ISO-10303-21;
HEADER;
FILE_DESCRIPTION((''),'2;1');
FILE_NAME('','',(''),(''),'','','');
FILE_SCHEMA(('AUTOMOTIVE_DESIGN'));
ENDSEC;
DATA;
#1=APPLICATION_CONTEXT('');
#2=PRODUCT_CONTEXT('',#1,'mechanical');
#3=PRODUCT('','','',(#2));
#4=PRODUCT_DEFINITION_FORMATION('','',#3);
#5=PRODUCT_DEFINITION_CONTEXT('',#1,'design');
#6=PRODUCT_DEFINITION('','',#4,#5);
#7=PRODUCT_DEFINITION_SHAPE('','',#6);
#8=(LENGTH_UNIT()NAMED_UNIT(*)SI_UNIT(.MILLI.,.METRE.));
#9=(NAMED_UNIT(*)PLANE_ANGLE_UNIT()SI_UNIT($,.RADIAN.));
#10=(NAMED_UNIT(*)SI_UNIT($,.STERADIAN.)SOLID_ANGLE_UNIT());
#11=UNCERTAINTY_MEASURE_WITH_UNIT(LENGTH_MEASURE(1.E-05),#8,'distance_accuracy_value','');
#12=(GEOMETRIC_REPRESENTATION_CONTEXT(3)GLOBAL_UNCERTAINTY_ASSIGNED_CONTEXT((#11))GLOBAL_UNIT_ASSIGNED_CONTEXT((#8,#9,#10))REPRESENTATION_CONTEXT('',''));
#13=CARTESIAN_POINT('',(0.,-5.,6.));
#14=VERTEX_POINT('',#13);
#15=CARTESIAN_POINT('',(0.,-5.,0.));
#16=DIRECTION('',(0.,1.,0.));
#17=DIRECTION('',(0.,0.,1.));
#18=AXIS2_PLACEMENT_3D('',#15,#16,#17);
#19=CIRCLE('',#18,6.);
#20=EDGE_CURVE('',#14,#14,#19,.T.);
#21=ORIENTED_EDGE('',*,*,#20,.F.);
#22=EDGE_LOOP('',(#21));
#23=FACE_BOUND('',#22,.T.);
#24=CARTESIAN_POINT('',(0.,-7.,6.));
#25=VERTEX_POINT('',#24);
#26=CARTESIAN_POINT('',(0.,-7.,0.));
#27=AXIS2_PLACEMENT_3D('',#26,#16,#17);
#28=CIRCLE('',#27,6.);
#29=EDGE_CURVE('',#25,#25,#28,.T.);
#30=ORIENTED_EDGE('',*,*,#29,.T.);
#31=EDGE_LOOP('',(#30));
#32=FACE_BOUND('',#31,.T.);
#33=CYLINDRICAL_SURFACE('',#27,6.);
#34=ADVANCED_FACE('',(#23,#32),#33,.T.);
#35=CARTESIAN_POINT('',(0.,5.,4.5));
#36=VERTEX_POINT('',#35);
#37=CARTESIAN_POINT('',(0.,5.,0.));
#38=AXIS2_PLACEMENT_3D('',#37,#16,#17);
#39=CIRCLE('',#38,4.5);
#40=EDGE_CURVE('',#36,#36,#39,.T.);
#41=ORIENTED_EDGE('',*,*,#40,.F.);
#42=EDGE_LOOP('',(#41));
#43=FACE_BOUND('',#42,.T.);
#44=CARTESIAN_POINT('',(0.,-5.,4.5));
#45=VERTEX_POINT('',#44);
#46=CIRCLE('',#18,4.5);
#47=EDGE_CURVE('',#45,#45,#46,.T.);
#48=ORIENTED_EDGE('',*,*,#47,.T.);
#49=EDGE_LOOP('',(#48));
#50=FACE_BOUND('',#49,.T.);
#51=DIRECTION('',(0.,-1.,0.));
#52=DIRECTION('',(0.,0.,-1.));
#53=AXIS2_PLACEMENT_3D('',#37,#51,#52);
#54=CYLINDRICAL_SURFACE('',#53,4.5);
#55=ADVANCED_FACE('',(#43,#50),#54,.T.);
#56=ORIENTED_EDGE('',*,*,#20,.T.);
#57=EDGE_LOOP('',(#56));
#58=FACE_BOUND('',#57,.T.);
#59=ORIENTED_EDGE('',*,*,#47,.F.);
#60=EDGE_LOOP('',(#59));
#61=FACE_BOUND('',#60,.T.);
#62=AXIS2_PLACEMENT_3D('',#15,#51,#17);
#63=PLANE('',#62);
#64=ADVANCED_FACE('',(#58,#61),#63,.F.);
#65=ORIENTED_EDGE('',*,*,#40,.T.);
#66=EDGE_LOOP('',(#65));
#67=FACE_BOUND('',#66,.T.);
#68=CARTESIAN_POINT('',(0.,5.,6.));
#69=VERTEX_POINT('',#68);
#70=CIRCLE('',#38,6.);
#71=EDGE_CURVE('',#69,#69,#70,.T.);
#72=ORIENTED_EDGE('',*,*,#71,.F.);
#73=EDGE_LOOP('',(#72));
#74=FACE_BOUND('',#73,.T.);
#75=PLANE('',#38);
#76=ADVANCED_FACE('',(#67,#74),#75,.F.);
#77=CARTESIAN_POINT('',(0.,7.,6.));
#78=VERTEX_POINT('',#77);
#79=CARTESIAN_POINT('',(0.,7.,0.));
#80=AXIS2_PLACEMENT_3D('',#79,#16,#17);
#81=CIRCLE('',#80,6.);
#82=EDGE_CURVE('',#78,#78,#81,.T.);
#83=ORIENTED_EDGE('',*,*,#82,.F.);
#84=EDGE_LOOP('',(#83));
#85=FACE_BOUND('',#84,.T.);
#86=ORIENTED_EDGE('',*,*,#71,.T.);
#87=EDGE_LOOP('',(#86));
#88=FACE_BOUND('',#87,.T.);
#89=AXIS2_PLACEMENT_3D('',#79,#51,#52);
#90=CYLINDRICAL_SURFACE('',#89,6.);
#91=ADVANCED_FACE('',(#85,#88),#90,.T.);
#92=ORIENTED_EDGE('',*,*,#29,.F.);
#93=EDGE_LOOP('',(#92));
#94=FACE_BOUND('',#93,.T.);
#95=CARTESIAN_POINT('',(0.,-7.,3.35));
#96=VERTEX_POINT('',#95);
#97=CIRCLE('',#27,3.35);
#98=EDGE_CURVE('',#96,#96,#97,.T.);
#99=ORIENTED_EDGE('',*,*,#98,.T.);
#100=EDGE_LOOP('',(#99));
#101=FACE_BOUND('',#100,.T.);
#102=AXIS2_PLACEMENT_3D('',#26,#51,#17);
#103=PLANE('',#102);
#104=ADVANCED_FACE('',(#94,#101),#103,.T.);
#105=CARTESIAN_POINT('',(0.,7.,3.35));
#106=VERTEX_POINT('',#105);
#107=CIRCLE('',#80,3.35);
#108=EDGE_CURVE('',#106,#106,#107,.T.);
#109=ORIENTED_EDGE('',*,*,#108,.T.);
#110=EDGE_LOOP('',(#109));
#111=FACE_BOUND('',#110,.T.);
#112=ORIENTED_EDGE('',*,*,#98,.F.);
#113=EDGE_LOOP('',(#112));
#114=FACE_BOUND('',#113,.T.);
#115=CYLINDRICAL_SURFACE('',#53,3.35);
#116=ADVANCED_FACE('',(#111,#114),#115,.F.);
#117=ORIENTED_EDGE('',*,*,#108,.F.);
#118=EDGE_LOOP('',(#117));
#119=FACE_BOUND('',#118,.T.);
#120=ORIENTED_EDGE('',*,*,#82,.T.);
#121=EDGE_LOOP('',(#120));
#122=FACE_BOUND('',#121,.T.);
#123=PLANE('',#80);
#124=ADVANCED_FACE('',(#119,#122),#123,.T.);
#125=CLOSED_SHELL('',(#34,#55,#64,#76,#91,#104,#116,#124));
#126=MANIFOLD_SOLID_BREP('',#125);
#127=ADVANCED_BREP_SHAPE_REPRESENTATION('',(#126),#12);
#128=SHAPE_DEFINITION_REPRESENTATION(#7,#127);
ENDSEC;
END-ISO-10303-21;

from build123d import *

# Parameters (mm, degrees)
SKETCH1_R           = 4.5
SKETCH1_R_2         = 3.35
BOSS_EXTRUDE1_DEPTH = 5
SKETCH2_R           = 6
SKETCH2_R_2         = 3.35
BOSS_EXTRUDE2_DEPTH = 2


with BuildPart() as part:
    # Sketch1 → Boss-Extrude1 (new, symmetric)
    with BuildSketch(Plane(origin=(0, 0, 0), x_dir=(1, 0, 0), z_dir=(0, 1, 0))):
        with Locations(Location((0, 0, 0), (0, 0, 270))):
            Circle(SKETCH1_R)
        with Locations(Location((0, 0, 0), (0, 0, 270))):
            Circle(SKETCH1_R_2, mode=Mode.SUBTRACT)
    extrude(amount=BOSS_EXTRUDE1_DEPTH, both=True)

    # Sketch2 → Boss-Extrude2 (add)
    with BuildSketch(Plane(origin=(0, 5, 0), x_dir=(1, 0, 0), z_dir=(0, 1, 0))):
        with Locations(Location((0, 0, 0), (0, 0, 270))):
            Circle(SKETCH2_R)
        with Locations(Location((0, 0, 0), (0, 0, 270))):
            Circle(SKETCH2_R_2, mode=Mode.SUBTRACT)
    boss_extrude2 = extrude(amount=BOSS_EXTRUDE2_DEPTH)

    # Mirror1: Boss-Extrude2 across plane
    add(boss_extrude2.mirror(Plane.ZX))


solid = part.part
